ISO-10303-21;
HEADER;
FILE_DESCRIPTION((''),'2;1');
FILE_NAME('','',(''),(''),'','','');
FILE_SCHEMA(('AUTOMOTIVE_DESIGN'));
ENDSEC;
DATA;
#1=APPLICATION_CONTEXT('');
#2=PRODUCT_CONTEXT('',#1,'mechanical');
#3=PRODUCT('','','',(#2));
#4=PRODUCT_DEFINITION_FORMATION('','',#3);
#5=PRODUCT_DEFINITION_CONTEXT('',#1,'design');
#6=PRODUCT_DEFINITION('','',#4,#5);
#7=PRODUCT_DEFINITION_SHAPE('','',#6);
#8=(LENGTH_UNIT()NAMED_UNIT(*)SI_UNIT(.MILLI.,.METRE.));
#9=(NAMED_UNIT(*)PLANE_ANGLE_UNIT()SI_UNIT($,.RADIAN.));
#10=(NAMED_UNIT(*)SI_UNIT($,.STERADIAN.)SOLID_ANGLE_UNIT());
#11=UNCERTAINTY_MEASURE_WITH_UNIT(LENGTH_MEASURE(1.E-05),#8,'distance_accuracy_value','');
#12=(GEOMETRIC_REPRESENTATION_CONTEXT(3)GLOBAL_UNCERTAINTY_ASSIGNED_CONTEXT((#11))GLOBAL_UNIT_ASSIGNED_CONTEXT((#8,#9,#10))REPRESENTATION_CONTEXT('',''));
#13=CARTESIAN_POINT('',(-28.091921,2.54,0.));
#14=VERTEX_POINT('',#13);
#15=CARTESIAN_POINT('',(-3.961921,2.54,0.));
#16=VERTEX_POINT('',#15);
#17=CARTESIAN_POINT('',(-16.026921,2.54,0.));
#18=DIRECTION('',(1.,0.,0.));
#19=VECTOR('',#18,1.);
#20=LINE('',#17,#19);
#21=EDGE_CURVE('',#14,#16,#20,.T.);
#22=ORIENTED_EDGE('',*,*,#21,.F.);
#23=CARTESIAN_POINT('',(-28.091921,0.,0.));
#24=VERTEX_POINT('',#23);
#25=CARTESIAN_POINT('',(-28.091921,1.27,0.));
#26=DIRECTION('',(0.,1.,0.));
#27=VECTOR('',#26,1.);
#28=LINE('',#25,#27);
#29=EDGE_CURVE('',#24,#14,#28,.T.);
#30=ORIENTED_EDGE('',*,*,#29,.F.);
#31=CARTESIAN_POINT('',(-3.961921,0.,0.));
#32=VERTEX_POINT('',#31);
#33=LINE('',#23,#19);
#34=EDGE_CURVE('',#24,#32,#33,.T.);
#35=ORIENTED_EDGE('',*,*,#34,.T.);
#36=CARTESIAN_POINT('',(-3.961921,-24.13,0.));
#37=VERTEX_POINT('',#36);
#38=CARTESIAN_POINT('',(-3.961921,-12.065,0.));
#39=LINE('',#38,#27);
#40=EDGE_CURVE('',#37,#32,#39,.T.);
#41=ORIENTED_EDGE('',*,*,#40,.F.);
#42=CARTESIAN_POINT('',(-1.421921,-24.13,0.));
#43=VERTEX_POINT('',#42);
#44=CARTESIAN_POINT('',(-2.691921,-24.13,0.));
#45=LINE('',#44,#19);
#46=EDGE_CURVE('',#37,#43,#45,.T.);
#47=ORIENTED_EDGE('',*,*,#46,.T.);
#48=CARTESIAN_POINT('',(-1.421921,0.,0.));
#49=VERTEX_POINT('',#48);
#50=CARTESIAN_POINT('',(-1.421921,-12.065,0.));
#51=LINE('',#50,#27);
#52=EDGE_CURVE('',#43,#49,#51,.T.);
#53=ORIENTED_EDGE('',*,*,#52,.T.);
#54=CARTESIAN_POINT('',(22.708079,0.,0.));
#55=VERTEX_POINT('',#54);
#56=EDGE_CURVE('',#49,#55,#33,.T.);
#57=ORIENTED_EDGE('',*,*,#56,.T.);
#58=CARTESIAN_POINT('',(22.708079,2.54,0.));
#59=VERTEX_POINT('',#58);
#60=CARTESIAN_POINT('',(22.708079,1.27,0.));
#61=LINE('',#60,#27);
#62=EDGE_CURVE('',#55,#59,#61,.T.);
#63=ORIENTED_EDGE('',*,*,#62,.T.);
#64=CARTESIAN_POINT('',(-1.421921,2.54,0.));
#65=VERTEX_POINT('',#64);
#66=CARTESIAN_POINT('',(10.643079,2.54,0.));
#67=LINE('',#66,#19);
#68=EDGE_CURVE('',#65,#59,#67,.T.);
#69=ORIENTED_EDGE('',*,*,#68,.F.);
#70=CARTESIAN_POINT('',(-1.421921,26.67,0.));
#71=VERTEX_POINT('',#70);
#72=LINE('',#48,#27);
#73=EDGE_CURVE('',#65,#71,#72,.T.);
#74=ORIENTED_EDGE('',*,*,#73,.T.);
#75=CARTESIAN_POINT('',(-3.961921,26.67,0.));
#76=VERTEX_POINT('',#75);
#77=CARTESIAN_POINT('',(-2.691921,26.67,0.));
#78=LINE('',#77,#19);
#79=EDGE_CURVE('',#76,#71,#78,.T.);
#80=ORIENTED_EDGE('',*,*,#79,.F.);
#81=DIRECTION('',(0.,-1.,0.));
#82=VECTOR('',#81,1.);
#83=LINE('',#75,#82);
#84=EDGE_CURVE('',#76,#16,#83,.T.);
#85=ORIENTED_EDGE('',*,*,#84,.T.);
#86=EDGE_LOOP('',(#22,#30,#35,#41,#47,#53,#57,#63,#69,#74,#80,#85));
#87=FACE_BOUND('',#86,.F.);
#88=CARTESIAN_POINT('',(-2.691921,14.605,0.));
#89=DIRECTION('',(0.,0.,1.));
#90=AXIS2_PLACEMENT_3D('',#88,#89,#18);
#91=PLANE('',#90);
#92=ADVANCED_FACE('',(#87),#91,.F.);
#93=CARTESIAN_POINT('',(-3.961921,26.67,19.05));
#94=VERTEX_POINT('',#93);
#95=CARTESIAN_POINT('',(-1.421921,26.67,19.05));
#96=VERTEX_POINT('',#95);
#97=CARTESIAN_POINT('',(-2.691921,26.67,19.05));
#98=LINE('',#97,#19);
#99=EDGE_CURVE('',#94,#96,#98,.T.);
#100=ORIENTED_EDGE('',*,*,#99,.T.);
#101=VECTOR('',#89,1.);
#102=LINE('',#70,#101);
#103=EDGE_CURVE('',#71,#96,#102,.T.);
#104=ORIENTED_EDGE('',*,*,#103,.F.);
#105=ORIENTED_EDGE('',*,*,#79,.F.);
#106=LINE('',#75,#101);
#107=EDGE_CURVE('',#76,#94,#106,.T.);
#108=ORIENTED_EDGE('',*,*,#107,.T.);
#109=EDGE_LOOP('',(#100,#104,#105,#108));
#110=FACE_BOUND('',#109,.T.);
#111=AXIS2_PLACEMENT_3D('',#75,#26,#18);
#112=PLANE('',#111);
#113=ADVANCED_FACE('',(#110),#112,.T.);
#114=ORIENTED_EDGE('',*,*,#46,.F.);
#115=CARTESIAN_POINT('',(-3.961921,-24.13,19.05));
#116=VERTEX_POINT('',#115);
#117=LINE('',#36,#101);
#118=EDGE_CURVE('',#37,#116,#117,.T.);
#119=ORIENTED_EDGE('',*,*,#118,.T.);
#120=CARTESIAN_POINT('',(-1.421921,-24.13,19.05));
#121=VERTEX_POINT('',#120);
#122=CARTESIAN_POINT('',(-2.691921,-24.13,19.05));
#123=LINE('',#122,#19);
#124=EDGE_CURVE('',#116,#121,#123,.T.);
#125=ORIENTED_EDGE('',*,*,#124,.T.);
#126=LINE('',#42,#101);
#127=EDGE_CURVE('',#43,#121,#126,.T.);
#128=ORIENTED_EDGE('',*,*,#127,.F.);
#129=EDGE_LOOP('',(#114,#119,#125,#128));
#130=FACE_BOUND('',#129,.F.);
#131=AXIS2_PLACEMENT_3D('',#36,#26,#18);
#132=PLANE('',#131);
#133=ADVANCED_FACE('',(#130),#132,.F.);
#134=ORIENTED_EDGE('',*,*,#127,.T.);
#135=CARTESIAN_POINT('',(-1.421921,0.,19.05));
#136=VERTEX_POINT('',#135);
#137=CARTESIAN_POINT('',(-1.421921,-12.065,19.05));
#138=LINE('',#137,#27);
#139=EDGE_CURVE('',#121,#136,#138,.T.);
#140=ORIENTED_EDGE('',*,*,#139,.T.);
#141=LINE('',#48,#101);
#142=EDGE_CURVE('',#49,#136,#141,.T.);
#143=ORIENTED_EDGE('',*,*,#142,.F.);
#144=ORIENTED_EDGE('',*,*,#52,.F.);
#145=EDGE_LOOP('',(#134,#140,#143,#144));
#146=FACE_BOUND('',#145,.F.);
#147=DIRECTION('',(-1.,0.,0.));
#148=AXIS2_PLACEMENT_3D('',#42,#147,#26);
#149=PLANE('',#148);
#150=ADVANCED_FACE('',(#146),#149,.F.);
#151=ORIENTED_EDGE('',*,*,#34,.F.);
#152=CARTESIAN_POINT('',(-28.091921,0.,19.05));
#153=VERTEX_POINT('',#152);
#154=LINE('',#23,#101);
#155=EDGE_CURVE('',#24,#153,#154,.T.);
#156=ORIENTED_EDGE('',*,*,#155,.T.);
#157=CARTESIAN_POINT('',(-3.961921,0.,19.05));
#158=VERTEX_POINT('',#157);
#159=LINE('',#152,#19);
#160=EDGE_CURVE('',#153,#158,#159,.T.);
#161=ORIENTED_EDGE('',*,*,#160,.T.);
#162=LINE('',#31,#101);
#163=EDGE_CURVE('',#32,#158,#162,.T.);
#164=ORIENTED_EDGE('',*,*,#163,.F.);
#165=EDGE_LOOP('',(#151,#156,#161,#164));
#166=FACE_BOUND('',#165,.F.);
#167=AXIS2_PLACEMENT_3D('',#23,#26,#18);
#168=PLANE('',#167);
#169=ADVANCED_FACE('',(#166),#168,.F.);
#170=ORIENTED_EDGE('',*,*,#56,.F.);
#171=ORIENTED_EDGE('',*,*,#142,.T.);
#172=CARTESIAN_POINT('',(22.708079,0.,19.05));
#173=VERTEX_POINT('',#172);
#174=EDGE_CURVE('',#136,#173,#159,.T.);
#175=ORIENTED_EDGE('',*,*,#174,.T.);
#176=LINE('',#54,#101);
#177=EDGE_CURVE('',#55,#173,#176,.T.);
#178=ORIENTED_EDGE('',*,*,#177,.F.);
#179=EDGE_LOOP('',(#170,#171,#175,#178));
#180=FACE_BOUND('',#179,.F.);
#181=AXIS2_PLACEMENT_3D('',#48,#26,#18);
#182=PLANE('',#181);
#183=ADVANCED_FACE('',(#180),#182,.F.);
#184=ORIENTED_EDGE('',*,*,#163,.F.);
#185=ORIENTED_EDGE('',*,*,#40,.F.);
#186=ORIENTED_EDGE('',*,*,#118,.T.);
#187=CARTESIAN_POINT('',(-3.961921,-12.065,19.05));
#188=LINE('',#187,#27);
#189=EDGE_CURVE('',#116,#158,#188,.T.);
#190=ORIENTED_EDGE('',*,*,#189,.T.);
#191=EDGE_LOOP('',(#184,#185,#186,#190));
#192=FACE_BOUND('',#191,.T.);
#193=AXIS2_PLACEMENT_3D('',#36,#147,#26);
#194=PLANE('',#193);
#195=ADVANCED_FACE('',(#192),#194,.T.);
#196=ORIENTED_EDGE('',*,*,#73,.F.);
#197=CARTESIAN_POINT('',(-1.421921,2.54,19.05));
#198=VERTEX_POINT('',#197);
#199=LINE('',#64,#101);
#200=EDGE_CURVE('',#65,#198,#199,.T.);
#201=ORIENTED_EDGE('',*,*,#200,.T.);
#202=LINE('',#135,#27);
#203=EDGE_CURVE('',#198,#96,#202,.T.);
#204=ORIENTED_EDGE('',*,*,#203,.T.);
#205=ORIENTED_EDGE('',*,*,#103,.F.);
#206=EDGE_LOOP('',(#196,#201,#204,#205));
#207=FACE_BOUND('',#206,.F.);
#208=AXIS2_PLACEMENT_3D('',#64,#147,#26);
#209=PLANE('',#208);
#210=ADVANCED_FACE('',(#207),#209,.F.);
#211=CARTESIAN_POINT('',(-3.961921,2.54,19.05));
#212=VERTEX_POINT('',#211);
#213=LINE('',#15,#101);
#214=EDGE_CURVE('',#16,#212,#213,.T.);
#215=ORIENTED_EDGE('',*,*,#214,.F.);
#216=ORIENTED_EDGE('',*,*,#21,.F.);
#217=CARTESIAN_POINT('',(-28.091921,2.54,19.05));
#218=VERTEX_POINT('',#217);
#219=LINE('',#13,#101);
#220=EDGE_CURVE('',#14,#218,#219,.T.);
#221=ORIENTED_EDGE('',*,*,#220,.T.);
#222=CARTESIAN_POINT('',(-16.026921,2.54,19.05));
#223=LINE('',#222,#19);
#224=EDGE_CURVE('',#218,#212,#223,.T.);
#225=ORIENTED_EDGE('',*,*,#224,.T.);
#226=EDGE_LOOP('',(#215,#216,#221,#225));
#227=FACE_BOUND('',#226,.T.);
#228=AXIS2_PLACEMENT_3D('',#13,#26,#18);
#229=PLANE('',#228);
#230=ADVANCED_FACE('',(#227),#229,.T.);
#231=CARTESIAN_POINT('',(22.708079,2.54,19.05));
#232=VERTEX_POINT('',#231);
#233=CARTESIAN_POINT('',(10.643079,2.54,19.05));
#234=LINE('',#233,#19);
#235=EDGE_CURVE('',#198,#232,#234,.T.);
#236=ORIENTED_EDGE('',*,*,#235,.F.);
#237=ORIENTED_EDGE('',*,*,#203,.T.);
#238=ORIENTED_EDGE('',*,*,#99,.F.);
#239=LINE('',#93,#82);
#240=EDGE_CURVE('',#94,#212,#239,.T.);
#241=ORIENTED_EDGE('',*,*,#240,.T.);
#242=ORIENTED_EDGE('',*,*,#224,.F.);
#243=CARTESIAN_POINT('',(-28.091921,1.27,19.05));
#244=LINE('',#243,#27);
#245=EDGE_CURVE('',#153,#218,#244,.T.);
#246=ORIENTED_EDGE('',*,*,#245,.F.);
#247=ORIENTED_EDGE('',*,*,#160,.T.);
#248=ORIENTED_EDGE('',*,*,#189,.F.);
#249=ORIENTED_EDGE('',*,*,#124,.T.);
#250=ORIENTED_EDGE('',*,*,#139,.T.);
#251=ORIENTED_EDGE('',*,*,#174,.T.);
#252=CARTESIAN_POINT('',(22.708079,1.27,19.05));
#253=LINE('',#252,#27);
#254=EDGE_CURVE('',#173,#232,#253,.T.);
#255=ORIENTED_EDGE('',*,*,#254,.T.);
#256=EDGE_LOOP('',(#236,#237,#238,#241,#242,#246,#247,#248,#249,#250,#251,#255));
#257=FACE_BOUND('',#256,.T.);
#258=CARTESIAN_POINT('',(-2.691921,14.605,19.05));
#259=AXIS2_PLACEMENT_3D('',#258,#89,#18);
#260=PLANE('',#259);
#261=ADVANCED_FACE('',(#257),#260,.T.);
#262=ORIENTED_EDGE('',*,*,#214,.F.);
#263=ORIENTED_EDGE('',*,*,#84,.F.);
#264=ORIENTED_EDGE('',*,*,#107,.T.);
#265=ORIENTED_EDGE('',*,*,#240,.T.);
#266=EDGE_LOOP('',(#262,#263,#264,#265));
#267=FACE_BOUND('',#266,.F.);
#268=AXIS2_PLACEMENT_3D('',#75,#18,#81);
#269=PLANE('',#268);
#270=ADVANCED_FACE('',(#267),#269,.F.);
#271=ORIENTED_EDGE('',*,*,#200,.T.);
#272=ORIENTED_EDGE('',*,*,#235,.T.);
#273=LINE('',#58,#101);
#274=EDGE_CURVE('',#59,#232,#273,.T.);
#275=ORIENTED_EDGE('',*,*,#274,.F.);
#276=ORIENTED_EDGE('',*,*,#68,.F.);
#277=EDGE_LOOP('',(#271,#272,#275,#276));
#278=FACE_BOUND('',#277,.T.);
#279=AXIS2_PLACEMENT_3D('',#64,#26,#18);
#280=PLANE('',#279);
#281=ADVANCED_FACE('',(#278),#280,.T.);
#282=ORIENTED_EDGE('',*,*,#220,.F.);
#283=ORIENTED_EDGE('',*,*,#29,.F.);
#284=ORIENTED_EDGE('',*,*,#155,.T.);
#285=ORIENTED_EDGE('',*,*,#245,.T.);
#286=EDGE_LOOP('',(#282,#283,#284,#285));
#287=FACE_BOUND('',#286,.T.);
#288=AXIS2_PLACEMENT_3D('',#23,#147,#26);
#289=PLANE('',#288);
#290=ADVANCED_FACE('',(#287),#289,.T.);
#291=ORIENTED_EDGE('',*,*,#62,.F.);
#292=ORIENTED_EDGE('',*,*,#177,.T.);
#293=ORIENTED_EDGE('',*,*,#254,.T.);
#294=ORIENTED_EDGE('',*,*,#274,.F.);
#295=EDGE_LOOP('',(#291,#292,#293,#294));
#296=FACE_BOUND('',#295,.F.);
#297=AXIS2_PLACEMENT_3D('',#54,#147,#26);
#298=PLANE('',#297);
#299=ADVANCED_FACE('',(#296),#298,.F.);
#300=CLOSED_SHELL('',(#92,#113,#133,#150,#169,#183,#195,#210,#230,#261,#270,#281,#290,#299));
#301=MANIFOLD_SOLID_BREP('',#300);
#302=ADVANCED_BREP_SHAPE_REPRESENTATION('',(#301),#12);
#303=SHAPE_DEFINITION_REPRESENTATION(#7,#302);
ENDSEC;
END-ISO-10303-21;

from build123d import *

# Parameters (mm, degrees)
F0_W     = 2.54
F0_H     = 24.13
F0_H_2   = 2.54
F0_W_2   = 24.13
F1_DEPTH = 19.05


with BuildPart() as f1:
    # F0 (on Top) → F1 (new body)
    with BuildSketch(Plane.XY):
        with Locations((-2.6919205397, 14.605)):
            Rectangle(F0_W, F0_H)
        with Locations((-2.6919205397, 1.27)):
            Rectangle(F0_W, F0_H_2)
        with Locations((-16.0269205397, 1.27)):
            Rectangle(F0_W_2, F0_H_2)
        with Locations((10.6430794603, 1.27)):
            Rectangle(F0_W_2, F0_H_2)
        with Locations((-2.6919205397, -12.065)):
            Rectangle(F0_W, F0_H)
    extrude(amount=F1_DEPTH)


solid = f1.part
